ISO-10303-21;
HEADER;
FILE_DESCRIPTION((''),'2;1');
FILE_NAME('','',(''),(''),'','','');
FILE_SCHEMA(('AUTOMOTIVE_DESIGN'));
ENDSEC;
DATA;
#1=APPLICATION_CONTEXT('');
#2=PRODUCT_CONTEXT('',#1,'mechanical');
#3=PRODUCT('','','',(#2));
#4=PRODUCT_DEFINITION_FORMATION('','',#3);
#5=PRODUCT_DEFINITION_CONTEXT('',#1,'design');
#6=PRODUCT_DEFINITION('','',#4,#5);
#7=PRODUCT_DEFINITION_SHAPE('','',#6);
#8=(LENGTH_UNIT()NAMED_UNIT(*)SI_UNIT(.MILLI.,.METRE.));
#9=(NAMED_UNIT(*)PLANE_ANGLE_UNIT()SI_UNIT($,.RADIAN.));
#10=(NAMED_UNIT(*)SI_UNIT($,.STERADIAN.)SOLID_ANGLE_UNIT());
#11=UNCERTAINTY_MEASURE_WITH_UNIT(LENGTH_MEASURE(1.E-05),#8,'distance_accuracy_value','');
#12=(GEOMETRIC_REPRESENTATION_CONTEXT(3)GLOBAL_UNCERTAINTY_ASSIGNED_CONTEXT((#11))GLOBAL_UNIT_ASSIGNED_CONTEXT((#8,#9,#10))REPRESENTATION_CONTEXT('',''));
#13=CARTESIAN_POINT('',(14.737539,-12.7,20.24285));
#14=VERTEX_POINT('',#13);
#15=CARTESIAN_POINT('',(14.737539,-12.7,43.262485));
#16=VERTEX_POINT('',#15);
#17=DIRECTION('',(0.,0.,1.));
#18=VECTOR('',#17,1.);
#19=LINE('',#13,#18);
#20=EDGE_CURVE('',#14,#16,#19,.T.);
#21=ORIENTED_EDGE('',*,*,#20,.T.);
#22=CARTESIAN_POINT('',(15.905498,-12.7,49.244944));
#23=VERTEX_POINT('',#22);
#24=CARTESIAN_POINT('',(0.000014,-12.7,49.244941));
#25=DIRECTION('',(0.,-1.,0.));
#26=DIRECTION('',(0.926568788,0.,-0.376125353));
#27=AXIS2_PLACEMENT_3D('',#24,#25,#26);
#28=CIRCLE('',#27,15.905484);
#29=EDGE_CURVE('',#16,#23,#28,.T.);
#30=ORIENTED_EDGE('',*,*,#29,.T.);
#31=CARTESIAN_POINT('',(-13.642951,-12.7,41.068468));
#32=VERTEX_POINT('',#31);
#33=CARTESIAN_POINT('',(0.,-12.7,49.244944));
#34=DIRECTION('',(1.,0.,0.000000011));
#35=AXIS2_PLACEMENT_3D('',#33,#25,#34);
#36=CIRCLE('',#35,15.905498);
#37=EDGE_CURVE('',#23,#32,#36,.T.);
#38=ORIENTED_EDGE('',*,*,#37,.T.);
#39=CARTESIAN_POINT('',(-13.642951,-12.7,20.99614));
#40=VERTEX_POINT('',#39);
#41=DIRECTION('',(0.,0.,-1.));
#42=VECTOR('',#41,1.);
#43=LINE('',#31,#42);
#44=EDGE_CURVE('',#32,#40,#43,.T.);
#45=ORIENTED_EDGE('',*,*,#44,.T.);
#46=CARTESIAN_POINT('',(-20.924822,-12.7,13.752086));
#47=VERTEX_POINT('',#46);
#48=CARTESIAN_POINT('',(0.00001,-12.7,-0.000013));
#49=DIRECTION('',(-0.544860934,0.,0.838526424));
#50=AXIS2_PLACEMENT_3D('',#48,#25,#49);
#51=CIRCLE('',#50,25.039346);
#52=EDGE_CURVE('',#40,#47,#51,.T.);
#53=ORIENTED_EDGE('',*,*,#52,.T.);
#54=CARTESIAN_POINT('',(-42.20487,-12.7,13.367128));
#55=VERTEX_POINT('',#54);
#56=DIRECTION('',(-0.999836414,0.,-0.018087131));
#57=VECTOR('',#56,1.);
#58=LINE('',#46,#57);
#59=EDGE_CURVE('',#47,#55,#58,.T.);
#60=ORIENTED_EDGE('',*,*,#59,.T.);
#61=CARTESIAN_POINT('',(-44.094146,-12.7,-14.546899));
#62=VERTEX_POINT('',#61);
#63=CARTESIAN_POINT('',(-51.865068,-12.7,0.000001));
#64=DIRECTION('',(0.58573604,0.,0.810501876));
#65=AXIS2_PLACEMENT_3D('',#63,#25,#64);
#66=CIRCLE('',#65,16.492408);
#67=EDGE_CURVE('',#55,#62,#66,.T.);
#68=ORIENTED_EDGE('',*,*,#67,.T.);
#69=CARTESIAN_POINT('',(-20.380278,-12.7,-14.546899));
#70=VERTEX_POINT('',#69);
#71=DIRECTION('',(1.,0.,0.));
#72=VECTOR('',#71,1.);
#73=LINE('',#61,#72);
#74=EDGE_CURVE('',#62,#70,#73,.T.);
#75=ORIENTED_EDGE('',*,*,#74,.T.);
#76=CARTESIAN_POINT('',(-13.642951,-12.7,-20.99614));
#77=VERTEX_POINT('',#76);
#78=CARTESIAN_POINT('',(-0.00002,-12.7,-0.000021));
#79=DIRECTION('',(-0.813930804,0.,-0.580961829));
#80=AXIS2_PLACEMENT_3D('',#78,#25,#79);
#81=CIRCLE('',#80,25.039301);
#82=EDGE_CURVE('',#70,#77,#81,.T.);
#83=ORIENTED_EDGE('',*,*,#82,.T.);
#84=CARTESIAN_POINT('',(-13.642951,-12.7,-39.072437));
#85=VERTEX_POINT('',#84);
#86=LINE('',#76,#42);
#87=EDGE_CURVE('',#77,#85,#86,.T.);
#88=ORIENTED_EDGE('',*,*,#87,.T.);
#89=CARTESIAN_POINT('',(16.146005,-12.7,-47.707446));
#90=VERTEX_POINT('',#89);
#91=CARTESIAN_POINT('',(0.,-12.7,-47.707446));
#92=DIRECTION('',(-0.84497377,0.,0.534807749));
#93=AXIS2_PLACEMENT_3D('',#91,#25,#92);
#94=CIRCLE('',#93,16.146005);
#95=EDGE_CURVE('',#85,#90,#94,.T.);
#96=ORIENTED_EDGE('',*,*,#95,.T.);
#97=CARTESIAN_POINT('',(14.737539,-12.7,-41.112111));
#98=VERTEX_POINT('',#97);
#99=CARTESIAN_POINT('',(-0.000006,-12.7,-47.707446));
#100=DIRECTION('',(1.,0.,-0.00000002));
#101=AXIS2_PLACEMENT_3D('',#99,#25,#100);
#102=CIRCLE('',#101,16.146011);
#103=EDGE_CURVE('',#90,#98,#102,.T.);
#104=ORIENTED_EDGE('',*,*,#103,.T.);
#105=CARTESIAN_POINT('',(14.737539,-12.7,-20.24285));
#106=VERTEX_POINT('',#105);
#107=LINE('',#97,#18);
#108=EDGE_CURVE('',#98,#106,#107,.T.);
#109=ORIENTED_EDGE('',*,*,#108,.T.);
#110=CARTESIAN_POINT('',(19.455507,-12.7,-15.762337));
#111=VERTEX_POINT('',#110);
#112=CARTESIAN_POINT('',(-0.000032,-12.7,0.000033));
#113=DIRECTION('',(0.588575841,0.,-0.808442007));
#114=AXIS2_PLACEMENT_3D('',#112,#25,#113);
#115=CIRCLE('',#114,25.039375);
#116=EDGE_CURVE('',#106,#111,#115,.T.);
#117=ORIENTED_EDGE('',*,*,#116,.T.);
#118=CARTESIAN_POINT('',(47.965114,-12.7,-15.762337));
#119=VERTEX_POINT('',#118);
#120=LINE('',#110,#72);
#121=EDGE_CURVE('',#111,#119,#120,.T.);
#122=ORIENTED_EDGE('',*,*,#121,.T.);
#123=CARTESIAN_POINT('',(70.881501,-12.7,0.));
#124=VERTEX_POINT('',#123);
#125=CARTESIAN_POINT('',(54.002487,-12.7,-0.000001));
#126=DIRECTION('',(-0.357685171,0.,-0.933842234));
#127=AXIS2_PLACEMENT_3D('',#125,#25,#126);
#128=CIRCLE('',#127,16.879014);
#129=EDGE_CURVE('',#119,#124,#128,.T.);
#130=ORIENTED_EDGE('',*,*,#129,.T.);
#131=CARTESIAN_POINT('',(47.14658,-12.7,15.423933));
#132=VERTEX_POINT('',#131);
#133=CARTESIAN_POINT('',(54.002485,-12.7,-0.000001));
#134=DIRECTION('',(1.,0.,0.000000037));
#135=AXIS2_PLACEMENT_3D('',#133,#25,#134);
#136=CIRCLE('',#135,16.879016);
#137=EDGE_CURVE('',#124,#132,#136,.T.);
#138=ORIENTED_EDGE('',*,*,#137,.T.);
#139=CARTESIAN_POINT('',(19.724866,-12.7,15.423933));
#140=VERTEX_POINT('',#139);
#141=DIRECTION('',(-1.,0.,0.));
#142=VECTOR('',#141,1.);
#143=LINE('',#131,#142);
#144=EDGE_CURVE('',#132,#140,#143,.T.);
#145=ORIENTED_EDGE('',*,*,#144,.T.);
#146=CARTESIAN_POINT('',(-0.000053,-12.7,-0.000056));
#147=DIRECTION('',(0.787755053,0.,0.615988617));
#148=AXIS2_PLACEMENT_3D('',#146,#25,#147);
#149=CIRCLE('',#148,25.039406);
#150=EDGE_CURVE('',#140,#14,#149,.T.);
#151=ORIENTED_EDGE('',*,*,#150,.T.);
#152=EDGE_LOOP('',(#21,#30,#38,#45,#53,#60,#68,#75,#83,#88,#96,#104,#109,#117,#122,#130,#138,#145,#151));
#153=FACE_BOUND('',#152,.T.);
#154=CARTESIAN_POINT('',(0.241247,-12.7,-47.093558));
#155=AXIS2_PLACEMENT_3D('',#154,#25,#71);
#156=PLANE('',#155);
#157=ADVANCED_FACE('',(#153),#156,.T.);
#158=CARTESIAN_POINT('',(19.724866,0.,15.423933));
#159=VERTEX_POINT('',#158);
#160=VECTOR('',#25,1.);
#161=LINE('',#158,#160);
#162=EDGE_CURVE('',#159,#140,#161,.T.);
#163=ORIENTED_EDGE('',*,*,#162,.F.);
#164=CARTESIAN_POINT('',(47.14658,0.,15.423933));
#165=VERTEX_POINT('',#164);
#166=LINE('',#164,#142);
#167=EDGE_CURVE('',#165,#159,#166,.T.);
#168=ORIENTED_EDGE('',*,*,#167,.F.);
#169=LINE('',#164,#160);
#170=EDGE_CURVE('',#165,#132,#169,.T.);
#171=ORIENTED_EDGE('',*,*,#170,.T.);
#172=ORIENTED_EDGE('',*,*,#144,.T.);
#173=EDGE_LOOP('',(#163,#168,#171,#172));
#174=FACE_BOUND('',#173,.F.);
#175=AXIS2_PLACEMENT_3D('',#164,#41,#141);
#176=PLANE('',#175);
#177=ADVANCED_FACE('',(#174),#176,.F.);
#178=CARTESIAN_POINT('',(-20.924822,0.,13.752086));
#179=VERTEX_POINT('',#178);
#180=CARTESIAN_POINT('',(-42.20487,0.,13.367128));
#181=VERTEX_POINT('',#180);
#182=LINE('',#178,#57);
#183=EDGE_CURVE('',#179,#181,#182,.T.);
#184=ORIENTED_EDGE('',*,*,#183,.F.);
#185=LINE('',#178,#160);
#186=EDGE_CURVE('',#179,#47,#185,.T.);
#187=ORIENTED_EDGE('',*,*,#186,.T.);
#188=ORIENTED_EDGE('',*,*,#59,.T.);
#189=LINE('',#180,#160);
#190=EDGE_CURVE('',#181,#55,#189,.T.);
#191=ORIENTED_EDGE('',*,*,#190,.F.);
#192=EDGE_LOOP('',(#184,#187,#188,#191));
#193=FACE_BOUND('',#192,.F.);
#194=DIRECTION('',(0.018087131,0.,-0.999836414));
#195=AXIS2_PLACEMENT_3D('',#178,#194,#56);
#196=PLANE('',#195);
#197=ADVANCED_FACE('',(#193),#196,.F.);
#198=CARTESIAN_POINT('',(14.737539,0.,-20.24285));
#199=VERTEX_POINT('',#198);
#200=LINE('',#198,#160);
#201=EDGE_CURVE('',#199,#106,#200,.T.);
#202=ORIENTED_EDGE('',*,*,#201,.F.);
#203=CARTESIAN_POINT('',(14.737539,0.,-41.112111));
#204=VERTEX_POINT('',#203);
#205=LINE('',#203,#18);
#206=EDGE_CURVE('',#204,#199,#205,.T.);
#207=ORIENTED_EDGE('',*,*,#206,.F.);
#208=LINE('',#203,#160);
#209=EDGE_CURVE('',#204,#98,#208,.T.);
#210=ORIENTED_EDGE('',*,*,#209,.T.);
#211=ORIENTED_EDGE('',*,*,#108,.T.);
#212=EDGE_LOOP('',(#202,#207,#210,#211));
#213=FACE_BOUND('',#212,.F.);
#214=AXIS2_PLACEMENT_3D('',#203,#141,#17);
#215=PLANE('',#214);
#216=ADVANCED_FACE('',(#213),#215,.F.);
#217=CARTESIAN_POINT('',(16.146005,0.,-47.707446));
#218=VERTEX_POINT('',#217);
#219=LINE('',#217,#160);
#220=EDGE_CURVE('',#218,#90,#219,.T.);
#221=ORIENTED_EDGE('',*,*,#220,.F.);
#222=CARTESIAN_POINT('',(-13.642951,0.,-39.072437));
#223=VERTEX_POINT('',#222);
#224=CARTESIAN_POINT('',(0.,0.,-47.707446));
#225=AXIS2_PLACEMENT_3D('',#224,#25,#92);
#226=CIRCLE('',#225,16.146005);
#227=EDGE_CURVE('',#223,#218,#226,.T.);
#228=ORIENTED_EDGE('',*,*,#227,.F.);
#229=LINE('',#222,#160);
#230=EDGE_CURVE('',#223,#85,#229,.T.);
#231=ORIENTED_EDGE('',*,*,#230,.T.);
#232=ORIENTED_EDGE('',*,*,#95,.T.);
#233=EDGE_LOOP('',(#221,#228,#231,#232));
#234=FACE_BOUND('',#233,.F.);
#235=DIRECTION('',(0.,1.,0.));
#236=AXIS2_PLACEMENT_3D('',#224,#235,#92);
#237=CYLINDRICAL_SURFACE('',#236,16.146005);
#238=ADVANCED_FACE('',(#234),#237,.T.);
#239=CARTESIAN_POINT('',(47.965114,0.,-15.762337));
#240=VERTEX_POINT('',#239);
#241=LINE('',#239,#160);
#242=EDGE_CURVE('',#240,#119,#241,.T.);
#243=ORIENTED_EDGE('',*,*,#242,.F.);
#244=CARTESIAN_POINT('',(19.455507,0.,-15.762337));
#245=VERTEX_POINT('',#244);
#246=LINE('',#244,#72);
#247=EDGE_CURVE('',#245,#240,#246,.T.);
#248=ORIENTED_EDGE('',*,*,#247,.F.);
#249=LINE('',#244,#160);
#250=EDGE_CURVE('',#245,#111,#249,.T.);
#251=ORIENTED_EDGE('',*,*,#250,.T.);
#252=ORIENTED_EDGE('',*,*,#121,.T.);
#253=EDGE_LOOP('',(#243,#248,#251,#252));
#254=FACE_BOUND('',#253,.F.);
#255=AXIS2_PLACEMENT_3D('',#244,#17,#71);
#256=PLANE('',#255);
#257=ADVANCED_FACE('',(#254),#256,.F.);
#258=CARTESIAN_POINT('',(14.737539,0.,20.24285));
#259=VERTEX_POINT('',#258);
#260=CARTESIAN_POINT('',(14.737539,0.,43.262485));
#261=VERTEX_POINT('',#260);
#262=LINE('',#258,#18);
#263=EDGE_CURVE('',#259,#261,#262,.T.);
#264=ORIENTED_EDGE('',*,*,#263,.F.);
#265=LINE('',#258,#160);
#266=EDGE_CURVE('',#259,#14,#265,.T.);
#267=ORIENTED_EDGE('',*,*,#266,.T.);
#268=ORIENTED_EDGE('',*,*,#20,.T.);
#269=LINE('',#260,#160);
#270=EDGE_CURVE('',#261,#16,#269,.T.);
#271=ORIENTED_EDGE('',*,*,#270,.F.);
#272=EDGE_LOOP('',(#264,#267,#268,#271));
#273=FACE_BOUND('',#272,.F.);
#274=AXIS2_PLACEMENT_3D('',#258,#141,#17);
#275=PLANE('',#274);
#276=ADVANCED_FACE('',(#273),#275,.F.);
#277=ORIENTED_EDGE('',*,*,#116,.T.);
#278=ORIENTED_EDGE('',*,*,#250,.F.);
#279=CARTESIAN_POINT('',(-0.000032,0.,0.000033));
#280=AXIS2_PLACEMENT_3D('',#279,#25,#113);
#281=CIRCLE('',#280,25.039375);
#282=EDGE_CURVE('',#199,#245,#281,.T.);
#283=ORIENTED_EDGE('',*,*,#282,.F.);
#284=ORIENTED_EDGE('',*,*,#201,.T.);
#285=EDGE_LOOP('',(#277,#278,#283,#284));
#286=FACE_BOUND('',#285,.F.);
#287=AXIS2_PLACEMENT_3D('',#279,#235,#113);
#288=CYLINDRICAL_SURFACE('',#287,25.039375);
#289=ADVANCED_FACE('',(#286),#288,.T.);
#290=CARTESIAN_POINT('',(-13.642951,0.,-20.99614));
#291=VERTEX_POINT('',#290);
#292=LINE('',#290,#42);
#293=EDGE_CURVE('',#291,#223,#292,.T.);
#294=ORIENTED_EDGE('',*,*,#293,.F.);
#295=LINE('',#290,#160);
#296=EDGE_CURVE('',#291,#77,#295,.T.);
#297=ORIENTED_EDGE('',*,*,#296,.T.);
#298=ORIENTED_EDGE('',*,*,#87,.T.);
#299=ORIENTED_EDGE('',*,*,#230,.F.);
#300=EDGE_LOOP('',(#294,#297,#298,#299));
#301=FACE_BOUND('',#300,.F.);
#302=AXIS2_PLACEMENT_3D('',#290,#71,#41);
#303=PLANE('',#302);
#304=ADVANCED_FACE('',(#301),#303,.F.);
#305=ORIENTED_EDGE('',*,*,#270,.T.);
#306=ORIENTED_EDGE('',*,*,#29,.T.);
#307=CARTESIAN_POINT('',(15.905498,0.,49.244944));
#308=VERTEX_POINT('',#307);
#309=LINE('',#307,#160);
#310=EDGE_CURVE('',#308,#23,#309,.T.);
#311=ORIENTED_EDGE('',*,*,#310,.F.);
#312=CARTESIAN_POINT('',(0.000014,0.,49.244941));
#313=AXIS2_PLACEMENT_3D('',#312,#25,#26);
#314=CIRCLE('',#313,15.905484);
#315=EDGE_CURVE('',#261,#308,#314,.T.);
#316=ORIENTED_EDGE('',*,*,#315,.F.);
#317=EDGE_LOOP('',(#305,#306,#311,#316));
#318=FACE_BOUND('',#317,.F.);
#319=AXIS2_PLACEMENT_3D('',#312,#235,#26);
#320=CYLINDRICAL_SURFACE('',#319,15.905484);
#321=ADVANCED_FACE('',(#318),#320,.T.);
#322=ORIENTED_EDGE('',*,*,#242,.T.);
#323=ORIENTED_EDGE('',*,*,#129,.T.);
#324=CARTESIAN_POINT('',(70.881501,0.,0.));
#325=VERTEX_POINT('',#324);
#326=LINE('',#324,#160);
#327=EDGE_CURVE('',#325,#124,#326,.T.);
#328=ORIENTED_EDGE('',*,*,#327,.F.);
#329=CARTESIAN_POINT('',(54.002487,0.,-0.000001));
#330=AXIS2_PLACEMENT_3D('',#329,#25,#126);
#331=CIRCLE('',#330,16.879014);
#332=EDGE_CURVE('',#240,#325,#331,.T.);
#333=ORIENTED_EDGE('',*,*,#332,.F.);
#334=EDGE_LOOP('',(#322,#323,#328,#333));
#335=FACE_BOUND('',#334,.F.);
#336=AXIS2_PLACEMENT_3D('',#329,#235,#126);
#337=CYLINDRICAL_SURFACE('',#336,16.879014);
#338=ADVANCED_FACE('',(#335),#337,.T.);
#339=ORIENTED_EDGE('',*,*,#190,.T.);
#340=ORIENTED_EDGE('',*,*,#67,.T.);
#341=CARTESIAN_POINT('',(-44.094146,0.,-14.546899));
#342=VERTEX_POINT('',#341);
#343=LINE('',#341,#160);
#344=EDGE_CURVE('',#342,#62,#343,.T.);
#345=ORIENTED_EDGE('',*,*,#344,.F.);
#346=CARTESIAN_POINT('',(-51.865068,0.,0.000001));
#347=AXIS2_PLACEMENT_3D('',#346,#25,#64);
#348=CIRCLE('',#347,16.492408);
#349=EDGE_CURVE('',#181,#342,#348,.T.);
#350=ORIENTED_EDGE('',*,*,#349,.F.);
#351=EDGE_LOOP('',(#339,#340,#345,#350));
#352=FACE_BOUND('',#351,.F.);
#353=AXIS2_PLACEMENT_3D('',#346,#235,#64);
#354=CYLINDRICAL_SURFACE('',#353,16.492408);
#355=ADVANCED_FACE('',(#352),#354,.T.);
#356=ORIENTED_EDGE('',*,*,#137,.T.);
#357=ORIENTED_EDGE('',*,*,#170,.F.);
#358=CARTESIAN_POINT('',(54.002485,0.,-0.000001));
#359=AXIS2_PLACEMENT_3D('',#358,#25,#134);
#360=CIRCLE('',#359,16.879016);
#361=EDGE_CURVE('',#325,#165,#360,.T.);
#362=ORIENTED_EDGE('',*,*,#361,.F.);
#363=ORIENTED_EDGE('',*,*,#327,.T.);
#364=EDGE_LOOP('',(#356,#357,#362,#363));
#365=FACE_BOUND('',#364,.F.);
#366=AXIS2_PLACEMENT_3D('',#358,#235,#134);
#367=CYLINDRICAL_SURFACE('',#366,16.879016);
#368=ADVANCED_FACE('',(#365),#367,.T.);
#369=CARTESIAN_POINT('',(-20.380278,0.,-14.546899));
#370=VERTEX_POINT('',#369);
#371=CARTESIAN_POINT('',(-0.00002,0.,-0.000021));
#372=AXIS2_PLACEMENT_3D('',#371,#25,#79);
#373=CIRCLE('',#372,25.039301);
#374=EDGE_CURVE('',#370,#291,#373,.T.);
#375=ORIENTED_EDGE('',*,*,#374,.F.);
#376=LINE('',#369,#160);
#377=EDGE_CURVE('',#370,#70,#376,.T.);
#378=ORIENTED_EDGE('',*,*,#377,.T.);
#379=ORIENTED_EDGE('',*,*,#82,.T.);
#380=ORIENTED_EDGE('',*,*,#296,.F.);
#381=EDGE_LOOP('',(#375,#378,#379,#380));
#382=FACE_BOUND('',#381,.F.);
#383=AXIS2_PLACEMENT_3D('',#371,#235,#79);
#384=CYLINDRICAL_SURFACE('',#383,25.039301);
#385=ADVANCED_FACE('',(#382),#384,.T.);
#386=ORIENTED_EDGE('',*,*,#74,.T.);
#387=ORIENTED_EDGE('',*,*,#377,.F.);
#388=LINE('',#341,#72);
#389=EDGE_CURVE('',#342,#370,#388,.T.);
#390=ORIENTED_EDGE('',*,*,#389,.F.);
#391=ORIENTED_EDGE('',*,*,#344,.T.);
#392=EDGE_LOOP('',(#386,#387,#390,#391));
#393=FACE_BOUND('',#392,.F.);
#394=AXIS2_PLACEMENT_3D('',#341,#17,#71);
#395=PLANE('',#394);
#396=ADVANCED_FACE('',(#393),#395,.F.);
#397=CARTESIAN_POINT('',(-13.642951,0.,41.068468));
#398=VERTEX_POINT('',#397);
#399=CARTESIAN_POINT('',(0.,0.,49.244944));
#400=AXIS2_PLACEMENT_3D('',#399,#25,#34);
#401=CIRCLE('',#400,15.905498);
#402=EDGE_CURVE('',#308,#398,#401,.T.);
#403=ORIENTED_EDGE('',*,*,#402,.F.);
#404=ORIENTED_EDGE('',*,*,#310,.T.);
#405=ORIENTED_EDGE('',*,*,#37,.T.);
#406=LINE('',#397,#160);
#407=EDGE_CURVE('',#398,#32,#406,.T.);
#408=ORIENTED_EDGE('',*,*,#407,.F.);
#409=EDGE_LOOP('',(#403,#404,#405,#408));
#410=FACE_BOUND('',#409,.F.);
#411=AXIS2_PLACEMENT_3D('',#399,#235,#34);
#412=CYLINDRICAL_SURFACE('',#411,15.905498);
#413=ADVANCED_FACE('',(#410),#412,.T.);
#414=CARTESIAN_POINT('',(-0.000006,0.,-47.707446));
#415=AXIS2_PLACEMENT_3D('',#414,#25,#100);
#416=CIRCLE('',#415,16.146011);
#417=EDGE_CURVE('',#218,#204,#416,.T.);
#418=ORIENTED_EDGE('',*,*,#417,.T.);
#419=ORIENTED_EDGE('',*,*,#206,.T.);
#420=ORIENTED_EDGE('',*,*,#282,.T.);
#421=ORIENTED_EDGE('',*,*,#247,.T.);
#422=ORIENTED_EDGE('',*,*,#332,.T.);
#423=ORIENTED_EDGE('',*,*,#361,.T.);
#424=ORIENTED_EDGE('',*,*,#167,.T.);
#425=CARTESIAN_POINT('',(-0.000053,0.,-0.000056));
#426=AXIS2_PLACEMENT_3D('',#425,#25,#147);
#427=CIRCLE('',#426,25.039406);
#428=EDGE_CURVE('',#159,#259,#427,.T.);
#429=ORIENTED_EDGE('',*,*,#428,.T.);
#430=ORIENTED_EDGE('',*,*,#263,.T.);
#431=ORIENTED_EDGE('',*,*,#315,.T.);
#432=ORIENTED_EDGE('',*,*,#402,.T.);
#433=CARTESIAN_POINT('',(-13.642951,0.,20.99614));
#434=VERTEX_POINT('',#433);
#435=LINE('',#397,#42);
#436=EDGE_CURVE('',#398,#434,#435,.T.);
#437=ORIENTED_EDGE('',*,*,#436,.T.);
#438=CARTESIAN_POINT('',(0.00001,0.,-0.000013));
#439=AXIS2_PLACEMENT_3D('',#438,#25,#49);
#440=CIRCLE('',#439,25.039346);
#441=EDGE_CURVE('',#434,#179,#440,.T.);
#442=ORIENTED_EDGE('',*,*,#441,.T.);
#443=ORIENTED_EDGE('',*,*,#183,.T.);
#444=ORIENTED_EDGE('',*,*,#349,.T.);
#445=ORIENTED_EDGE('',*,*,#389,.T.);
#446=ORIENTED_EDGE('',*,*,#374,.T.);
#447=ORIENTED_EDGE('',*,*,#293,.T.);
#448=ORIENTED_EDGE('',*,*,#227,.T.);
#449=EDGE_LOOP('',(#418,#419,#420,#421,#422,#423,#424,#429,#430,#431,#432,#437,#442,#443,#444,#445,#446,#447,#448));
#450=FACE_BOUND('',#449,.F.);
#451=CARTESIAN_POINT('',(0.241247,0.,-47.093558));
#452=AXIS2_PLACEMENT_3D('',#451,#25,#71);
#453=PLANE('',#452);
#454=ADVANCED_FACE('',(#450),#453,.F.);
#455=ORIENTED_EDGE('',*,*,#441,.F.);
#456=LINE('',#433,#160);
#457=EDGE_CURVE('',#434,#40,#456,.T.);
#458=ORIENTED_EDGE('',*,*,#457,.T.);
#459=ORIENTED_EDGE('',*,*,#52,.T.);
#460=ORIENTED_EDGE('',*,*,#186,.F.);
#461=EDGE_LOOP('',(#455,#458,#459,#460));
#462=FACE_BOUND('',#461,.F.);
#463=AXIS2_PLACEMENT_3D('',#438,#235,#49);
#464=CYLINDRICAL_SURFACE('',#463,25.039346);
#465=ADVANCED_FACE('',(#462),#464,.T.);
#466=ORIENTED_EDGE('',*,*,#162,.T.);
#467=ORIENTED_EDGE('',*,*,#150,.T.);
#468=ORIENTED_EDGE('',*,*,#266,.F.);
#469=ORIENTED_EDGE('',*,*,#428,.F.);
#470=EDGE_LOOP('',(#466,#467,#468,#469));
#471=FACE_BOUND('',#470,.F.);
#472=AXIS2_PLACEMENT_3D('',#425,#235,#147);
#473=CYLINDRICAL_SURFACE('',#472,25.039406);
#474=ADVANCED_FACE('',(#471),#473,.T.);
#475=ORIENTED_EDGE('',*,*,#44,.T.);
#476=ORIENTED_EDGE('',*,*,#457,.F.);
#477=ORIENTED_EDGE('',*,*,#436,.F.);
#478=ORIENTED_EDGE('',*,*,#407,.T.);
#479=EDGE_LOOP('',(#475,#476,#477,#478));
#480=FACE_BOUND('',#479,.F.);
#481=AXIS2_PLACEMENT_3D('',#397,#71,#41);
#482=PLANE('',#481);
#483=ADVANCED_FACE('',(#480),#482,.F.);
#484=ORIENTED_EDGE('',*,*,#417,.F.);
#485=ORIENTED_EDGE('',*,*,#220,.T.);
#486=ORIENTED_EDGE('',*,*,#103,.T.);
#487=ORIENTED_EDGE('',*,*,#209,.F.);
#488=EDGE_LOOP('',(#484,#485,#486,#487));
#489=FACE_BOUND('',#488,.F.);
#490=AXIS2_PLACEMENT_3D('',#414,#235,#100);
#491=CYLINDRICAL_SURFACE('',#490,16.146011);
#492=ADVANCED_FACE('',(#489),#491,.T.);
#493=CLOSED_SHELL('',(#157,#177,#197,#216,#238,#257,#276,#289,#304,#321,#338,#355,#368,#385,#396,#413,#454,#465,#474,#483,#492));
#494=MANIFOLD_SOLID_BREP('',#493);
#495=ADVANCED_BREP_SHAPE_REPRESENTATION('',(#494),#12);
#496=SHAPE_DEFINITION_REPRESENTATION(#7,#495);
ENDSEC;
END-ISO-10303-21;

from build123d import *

# Parameters (mm, degrees)
F1_DEPTH = 12.7


with BuildPart() as f1:
    # F0 (on Front) → F1 (new body)
    with BuildSketch(Plane.XZ):
        with BuildLine():
            ThreePointArc((16.146005, -47.707446), (15.789963, -44.335421), (14.737539, -41.112111))
            ThreePointArc((14.737539, -41.112111), (1.15741, -31.602978), (-13.642951, -39.072437))
            ThreePointArc((-13.642951, -39.072437), (-4.495238, -63.215067), (16.146005, -47.707446))
        make_face()
        with BuildLine():
            ThreePointArc((-13.642951, 41.068468), (1.225952, 33.386763), (14.737539, 43.262485))
            ThreePointArc((14.737539, 43.262485), (15.610778, 46.197242), (15.905498, 49.244944))
            ThreePointArc((15.905498, 49.244944), (-4.241871, 64.574373), (-13.642951, 41.068468))
        make_face()
        with BuildLine():
            ThreePointArc((-20.380278, -14.546899), (-25.034695, -0.48173), (-20.924822, 13.752086))
            Line((-20.924822, 13.752086), (-42.20487, 13.367128))
            ThreePointArc((-42.20487, 13.367128), (-37.179711, 7.505984), (-35.37266, 0))
            ThreePointArc((-35.37266, 0), (-37.720091, -8.480516), (-44.094146, -14.546899))
            Line((-44.094146, -14.546899), (-20.380278, -14.546899))
        make_face()
        with BuildLine():
            Line((14.737539, -41.112111), (14.737539, -20.24285))
            ThreePointArc((14.737539, -20.24285), (0.664374, -25.030514), (-13.642951, -20.99614))
            Line((-13.642951, -20.99614), (-13.642951, -39.072437))
            ThreePointArc((-13.642951, -39.072437), (1.15741, -31.602978), (14.737539, -41.112111))
        make_face()
        with BuildLine():
            ThreePointArc((70.881501, 0), (63.199774, 14.153128), (47.14658, 15.423933))
            ThreePointArc((47.14658, 15.423933), (37.129282, -0.442864), (47.965114, -15.762337))
            ThreePointArc((47.965114, -15.762337), (63.567951, -13.906942), (70.881501, 0))
        make_face()
        with BuildLine():
            ThreePointArc((-13.642951, 20.99614), (0.664374, 25.030514), (14.737539, 20.24285))
            Line((14.737539, 20.24285), (14.737539, 43.262485))
            ThreePointArc((14.737539, 43.262485), (1.225952, 33.386763), (-13.642951, 41.068468))
            Line((-13.642951, 41.068468), (-13.642951, 20.99614))
        make_face()
        with BuildLine():
            ThreePointArc((-35.37266, 0), (-37.179711, 7.505984), (-42.20487, 13.367128))
            ThreePointArc((-42.20487, 13.367128), (-68.31983, 1.11369), (-44.094146, -14.546899))
            ThreePointArc((-44.094146, -14.546899), (-37.720091, -8.480516), (-35.37266, 0))
        make_face()
        with BuildLine():
            ThreePointArc((19.455507, -15.762337), (23.602128, -8.361076), (25.039329, 0))
            ThreePointArc((25.039329, 0), (23.67346, 8.156918), (19.724866, 15.423933))
            ThreePointArc((19.724866, 15.423933), (17.398845, 18.006893), (14.737539, 20.24285))
            ThreePointArc((14.737539, 20.24285), (0.664374, 25.030514), (-13.642951, 20.99614))
            ThreePointArc((-13.642951, 20.99614), (-17.659326, 17.751513), (-20.924822, 13.752086))
            ThreePointArc((-20.924822, 13.752086), (-25.034695, -0.48173), (-20.380278, -14.546899))
            ThreePointArc((-20.380278, -14.546899), (-17.314538, -18.087974), (-13.642951, -20.99614))
            ThreePointArc((-13.642951, -20.99614), (0.664374, -25.030514), (14.737539, -20.24285))
            ThreePointArc((14.737539, -20.24285), (17.242675, -18.156491), (19.455507, -15.762337))
        make_face()
        with BuildLine():
            ThreePointArc((19.724866, 15.423933), (23.67346, 8.156918), (25.039329, 0))
            ThreePointArc((25.039329, 0), (23.602128, -8.361076), (19.455507, -15.762337))
            Line((19.455507, -15.762337), (47.965114, -15.762337))
            ThreePointArc((47.965114, -15.762337), (37.129282, -0.442864), (47.14658, 15.423933))
            Line((47.14658, 15.423933), (19.724866, 15.423933))
        make_face()
    extrude(amount=F1_DEPTH)


solid = f1.part
